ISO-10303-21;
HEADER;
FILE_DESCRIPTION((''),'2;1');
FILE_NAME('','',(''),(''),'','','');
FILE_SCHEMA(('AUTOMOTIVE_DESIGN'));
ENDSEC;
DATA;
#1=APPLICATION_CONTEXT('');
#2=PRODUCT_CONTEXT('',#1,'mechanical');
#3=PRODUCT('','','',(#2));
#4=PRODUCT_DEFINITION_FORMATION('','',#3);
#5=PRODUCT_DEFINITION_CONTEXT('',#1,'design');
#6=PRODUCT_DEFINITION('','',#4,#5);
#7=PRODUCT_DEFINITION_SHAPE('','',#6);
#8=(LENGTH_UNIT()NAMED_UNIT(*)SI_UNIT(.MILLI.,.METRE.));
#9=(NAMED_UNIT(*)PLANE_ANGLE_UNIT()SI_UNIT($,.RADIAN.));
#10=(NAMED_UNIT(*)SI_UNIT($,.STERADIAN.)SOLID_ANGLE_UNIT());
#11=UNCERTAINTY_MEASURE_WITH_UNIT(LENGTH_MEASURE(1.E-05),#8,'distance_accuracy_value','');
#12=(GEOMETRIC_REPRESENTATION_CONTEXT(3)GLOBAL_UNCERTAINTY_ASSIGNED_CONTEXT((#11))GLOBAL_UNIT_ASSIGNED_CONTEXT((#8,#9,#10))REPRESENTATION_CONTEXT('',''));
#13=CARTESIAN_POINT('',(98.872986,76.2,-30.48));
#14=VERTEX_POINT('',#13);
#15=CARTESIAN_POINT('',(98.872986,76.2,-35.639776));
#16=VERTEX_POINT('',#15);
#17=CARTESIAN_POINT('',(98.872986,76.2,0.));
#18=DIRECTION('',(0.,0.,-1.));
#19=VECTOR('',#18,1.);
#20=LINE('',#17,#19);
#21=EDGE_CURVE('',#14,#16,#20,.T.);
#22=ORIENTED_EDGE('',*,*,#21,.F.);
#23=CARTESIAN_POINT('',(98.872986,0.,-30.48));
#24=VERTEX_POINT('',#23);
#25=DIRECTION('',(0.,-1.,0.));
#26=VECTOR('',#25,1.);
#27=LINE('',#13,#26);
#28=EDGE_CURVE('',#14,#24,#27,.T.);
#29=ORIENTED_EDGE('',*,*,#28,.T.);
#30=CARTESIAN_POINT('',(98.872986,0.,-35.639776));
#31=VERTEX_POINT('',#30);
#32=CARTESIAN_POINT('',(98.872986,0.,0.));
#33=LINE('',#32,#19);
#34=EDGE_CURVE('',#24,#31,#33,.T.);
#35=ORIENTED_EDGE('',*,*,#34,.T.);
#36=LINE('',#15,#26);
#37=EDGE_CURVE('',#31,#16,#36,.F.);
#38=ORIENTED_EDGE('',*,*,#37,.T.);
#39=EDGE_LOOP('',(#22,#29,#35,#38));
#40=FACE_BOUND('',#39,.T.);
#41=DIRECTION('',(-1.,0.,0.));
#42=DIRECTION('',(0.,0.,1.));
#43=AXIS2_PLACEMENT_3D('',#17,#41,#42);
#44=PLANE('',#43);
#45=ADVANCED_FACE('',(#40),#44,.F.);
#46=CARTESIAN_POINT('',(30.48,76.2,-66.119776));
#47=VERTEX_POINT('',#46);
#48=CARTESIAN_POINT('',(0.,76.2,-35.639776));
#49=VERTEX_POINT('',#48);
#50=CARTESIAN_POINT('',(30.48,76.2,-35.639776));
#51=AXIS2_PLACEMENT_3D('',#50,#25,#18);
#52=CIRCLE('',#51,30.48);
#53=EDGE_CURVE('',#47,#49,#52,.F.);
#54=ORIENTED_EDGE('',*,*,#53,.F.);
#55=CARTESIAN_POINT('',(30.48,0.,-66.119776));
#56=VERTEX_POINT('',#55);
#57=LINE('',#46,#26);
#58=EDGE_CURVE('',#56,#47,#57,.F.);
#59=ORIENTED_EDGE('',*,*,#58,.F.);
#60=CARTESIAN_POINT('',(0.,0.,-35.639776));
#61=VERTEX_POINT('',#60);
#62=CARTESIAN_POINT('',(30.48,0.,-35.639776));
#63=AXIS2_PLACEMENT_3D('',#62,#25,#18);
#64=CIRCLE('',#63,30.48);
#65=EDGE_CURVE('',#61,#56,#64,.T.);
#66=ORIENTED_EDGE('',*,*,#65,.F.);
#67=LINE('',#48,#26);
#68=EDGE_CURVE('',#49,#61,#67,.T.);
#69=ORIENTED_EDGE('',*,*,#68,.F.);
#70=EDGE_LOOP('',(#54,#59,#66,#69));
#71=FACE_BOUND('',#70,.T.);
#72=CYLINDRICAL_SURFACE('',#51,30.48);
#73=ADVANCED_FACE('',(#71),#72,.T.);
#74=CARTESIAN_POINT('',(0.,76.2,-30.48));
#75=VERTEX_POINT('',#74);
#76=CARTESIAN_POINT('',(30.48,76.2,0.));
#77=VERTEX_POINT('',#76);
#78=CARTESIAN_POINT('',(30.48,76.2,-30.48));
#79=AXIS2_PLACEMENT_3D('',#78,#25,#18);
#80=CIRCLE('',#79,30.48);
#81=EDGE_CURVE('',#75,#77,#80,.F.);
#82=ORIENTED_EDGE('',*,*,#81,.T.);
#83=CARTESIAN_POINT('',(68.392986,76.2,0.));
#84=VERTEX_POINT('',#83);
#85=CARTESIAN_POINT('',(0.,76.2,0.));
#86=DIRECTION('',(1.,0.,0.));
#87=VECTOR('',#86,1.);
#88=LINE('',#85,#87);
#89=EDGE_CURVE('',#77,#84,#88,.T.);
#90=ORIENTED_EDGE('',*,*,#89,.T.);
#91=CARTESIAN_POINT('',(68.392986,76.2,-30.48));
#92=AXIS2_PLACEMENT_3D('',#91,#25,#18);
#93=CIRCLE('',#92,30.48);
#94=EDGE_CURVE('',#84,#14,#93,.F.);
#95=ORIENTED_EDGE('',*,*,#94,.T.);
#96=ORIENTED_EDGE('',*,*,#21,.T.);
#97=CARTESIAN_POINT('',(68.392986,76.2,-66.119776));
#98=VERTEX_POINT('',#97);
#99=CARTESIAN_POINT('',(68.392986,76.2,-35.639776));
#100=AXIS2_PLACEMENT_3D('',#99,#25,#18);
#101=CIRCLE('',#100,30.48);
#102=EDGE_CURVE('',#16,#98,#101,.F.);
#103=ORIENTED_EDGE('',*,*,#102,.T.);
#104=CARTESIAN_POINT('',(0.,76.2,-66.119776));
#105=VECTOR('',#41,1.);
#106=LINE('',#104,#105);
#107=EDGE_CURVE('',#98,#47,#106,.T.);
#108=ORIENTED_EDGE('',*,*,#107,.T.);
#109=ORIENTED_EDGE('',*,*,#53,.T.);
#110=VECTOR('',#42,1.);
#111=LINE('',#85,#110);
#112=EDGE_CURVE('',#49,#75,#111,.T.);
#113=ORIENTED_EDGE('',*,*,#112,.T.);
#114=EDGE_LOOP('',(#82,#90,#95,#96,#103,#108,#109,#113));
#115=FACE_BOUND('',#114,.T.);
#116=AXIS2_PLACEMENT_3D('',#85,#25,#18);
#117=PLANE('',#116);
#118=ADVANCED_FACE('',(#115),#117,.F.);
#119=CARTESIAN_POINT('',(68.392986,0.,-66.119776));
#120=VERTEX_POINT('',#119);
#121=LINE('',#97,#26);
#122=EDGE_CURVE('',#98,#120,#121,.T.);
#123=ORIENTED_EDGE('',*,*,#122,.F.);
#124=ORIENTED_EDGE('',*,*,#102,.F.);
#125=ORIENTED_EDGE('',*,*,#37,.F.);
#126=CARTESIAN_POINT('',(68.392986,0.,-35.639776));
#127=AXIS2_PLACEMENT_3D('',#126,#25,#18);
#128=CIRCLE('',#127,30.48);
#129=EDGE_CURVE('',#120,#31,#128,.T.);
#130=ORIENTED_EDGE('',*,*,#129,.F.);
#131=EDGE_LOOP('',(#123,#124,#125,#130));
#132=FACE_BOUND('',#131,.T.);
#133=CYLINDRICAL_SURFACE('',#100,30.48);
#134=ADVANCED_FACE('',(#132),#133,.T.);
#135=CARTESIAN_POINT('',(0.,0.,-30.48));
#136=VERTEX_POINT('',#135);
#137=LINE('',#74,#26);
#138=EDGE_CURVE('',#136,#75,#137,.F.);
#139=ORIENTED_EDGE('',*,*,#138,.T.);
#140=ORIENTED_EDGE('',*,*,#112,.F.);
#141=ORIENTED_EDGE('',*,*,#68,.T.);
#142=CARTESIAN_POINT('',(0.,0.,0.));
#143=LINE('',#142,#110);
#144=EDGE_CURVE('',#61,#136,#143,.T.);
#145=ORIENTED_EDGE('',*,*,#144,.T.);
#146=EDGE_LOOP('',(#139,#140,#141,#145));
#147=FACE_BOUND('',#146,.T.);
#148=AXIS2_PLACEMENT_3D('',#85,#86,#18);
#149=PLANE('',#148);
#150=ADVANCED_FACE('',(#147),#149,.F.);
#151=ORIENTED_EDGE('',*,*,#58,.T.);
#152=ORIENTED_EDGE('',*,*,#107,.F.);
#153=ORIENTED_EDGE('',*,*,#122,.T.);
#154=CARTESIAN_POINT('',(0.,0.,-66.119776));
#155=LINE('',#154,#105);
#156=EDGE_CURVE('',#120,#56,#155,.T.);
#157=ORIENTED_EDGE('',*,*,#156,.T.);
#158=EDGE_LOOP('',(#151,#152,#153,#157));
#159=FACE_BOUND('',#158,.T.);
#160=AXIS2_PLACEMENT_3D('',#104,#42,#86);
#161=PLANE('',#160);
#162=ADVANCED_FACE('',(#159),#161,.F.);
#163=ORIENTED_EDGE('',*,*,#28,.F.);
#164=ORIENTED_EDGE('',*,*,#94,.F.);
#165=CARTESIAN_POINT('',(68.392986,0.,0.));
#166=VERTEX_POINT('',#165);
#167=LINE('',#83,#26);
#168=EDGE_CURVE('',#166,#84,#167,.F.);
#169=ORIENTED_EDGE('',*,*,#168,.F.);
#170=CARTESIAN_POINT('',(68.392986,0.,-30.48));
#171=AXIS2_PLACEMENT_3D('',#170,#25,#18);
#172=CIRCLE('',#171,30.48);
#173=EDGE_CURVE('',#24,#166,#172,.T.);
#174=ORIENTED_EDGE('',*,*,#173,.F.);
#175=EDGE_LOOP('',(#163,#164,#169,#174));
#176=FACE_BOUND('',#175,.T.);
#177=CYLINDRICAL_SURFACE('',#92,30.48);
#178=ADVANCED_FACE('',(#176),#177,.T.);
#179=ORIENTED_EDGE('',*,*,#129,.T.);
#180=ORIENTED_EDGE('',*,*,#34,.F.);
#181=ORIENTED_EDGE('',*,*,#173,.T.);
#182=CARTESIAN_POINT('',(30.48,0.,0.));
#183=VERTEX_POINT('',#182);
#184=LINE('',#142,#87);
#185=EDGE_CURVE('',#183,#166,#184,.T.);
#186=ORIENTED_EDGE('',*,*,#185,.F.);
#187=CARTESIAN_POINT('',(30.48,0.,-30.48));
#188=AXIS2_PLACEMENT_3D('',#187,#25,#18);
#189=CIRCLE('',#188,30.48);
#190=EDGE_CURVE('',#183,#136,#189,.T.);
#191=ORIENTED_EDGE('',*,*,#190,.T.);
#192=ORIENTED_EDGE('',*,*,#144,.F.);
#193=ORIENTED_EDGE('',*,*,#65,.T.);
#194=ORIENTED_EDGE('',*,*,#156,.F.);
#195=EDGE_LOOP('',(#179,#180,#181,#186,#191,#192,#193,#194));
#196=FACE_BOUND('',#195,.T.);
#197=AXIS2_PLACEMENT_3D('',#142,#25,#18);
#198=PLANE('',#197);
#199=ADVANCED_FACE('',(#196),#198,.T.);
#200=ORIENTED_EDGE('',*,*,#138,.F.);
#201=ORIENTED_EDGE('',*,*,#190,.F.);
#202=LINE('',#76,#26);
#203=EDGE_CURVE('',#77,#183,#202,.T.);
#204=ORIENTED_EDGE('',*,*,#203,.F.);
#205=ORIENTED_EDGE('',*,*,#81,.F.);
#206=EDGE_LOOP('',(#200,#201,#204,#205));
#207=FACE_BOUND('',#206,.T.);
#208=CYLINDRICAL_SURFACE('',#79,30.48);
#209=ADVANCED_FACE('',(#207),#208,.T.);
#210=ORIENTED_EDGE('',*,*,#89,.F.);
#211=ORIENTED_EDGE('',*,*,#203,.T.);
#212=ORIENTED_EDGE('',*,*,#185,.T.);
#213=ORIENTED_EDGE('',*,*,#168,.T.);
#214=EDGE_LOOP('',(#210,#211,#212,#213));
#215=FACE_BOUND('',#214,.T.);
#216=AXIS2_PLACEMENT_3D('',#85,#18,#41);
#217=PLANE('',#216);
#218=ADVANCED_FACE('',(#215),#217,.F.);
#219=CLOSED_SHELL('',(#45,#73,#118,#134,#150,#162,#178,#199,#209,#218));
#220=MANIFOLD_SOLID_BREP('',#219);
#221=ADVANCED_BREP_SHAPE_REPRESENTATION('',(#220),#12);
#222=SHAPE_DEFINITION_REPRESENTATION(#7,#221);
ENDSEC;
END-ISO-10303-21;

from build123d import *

# Parameters (mm, degrees)
SKETCH1_W           = 98.872985934
SKETCH1_H           = 66.119775953
BOSS_EXTRUDE1_DEPTH = 76.2
FILLET1_R           = 30.48


with BuildPart() as part:
    # Sketch1 → Boss-Extrude1 (new body)
    with BuildSketch(Plane(origin=(0, 0, 0), x_dir=(1, 0, 0), z_dir=(0, 1, 0))):
        with Locations((49.436492967, 33.059887977)):
            Rectangle(SKETCH1_W, SKETCH1_H)
    extrude(amount=BOSS_EXTRUDE1_DEPTH)

    # Fillet1
    fillet1_edges = [part.edges().sort_by_distance(p)[0] for p in [
        (0, 38.1, -66.119775953),
        (98.872985934, 38.1, -66.119775953),
        (98.872985934, 38.1, 0),
        (0, 38.1, 0),
    ]]
    fillet(fillet1_edges, radius=FILLET1_R)


solid = part.part
